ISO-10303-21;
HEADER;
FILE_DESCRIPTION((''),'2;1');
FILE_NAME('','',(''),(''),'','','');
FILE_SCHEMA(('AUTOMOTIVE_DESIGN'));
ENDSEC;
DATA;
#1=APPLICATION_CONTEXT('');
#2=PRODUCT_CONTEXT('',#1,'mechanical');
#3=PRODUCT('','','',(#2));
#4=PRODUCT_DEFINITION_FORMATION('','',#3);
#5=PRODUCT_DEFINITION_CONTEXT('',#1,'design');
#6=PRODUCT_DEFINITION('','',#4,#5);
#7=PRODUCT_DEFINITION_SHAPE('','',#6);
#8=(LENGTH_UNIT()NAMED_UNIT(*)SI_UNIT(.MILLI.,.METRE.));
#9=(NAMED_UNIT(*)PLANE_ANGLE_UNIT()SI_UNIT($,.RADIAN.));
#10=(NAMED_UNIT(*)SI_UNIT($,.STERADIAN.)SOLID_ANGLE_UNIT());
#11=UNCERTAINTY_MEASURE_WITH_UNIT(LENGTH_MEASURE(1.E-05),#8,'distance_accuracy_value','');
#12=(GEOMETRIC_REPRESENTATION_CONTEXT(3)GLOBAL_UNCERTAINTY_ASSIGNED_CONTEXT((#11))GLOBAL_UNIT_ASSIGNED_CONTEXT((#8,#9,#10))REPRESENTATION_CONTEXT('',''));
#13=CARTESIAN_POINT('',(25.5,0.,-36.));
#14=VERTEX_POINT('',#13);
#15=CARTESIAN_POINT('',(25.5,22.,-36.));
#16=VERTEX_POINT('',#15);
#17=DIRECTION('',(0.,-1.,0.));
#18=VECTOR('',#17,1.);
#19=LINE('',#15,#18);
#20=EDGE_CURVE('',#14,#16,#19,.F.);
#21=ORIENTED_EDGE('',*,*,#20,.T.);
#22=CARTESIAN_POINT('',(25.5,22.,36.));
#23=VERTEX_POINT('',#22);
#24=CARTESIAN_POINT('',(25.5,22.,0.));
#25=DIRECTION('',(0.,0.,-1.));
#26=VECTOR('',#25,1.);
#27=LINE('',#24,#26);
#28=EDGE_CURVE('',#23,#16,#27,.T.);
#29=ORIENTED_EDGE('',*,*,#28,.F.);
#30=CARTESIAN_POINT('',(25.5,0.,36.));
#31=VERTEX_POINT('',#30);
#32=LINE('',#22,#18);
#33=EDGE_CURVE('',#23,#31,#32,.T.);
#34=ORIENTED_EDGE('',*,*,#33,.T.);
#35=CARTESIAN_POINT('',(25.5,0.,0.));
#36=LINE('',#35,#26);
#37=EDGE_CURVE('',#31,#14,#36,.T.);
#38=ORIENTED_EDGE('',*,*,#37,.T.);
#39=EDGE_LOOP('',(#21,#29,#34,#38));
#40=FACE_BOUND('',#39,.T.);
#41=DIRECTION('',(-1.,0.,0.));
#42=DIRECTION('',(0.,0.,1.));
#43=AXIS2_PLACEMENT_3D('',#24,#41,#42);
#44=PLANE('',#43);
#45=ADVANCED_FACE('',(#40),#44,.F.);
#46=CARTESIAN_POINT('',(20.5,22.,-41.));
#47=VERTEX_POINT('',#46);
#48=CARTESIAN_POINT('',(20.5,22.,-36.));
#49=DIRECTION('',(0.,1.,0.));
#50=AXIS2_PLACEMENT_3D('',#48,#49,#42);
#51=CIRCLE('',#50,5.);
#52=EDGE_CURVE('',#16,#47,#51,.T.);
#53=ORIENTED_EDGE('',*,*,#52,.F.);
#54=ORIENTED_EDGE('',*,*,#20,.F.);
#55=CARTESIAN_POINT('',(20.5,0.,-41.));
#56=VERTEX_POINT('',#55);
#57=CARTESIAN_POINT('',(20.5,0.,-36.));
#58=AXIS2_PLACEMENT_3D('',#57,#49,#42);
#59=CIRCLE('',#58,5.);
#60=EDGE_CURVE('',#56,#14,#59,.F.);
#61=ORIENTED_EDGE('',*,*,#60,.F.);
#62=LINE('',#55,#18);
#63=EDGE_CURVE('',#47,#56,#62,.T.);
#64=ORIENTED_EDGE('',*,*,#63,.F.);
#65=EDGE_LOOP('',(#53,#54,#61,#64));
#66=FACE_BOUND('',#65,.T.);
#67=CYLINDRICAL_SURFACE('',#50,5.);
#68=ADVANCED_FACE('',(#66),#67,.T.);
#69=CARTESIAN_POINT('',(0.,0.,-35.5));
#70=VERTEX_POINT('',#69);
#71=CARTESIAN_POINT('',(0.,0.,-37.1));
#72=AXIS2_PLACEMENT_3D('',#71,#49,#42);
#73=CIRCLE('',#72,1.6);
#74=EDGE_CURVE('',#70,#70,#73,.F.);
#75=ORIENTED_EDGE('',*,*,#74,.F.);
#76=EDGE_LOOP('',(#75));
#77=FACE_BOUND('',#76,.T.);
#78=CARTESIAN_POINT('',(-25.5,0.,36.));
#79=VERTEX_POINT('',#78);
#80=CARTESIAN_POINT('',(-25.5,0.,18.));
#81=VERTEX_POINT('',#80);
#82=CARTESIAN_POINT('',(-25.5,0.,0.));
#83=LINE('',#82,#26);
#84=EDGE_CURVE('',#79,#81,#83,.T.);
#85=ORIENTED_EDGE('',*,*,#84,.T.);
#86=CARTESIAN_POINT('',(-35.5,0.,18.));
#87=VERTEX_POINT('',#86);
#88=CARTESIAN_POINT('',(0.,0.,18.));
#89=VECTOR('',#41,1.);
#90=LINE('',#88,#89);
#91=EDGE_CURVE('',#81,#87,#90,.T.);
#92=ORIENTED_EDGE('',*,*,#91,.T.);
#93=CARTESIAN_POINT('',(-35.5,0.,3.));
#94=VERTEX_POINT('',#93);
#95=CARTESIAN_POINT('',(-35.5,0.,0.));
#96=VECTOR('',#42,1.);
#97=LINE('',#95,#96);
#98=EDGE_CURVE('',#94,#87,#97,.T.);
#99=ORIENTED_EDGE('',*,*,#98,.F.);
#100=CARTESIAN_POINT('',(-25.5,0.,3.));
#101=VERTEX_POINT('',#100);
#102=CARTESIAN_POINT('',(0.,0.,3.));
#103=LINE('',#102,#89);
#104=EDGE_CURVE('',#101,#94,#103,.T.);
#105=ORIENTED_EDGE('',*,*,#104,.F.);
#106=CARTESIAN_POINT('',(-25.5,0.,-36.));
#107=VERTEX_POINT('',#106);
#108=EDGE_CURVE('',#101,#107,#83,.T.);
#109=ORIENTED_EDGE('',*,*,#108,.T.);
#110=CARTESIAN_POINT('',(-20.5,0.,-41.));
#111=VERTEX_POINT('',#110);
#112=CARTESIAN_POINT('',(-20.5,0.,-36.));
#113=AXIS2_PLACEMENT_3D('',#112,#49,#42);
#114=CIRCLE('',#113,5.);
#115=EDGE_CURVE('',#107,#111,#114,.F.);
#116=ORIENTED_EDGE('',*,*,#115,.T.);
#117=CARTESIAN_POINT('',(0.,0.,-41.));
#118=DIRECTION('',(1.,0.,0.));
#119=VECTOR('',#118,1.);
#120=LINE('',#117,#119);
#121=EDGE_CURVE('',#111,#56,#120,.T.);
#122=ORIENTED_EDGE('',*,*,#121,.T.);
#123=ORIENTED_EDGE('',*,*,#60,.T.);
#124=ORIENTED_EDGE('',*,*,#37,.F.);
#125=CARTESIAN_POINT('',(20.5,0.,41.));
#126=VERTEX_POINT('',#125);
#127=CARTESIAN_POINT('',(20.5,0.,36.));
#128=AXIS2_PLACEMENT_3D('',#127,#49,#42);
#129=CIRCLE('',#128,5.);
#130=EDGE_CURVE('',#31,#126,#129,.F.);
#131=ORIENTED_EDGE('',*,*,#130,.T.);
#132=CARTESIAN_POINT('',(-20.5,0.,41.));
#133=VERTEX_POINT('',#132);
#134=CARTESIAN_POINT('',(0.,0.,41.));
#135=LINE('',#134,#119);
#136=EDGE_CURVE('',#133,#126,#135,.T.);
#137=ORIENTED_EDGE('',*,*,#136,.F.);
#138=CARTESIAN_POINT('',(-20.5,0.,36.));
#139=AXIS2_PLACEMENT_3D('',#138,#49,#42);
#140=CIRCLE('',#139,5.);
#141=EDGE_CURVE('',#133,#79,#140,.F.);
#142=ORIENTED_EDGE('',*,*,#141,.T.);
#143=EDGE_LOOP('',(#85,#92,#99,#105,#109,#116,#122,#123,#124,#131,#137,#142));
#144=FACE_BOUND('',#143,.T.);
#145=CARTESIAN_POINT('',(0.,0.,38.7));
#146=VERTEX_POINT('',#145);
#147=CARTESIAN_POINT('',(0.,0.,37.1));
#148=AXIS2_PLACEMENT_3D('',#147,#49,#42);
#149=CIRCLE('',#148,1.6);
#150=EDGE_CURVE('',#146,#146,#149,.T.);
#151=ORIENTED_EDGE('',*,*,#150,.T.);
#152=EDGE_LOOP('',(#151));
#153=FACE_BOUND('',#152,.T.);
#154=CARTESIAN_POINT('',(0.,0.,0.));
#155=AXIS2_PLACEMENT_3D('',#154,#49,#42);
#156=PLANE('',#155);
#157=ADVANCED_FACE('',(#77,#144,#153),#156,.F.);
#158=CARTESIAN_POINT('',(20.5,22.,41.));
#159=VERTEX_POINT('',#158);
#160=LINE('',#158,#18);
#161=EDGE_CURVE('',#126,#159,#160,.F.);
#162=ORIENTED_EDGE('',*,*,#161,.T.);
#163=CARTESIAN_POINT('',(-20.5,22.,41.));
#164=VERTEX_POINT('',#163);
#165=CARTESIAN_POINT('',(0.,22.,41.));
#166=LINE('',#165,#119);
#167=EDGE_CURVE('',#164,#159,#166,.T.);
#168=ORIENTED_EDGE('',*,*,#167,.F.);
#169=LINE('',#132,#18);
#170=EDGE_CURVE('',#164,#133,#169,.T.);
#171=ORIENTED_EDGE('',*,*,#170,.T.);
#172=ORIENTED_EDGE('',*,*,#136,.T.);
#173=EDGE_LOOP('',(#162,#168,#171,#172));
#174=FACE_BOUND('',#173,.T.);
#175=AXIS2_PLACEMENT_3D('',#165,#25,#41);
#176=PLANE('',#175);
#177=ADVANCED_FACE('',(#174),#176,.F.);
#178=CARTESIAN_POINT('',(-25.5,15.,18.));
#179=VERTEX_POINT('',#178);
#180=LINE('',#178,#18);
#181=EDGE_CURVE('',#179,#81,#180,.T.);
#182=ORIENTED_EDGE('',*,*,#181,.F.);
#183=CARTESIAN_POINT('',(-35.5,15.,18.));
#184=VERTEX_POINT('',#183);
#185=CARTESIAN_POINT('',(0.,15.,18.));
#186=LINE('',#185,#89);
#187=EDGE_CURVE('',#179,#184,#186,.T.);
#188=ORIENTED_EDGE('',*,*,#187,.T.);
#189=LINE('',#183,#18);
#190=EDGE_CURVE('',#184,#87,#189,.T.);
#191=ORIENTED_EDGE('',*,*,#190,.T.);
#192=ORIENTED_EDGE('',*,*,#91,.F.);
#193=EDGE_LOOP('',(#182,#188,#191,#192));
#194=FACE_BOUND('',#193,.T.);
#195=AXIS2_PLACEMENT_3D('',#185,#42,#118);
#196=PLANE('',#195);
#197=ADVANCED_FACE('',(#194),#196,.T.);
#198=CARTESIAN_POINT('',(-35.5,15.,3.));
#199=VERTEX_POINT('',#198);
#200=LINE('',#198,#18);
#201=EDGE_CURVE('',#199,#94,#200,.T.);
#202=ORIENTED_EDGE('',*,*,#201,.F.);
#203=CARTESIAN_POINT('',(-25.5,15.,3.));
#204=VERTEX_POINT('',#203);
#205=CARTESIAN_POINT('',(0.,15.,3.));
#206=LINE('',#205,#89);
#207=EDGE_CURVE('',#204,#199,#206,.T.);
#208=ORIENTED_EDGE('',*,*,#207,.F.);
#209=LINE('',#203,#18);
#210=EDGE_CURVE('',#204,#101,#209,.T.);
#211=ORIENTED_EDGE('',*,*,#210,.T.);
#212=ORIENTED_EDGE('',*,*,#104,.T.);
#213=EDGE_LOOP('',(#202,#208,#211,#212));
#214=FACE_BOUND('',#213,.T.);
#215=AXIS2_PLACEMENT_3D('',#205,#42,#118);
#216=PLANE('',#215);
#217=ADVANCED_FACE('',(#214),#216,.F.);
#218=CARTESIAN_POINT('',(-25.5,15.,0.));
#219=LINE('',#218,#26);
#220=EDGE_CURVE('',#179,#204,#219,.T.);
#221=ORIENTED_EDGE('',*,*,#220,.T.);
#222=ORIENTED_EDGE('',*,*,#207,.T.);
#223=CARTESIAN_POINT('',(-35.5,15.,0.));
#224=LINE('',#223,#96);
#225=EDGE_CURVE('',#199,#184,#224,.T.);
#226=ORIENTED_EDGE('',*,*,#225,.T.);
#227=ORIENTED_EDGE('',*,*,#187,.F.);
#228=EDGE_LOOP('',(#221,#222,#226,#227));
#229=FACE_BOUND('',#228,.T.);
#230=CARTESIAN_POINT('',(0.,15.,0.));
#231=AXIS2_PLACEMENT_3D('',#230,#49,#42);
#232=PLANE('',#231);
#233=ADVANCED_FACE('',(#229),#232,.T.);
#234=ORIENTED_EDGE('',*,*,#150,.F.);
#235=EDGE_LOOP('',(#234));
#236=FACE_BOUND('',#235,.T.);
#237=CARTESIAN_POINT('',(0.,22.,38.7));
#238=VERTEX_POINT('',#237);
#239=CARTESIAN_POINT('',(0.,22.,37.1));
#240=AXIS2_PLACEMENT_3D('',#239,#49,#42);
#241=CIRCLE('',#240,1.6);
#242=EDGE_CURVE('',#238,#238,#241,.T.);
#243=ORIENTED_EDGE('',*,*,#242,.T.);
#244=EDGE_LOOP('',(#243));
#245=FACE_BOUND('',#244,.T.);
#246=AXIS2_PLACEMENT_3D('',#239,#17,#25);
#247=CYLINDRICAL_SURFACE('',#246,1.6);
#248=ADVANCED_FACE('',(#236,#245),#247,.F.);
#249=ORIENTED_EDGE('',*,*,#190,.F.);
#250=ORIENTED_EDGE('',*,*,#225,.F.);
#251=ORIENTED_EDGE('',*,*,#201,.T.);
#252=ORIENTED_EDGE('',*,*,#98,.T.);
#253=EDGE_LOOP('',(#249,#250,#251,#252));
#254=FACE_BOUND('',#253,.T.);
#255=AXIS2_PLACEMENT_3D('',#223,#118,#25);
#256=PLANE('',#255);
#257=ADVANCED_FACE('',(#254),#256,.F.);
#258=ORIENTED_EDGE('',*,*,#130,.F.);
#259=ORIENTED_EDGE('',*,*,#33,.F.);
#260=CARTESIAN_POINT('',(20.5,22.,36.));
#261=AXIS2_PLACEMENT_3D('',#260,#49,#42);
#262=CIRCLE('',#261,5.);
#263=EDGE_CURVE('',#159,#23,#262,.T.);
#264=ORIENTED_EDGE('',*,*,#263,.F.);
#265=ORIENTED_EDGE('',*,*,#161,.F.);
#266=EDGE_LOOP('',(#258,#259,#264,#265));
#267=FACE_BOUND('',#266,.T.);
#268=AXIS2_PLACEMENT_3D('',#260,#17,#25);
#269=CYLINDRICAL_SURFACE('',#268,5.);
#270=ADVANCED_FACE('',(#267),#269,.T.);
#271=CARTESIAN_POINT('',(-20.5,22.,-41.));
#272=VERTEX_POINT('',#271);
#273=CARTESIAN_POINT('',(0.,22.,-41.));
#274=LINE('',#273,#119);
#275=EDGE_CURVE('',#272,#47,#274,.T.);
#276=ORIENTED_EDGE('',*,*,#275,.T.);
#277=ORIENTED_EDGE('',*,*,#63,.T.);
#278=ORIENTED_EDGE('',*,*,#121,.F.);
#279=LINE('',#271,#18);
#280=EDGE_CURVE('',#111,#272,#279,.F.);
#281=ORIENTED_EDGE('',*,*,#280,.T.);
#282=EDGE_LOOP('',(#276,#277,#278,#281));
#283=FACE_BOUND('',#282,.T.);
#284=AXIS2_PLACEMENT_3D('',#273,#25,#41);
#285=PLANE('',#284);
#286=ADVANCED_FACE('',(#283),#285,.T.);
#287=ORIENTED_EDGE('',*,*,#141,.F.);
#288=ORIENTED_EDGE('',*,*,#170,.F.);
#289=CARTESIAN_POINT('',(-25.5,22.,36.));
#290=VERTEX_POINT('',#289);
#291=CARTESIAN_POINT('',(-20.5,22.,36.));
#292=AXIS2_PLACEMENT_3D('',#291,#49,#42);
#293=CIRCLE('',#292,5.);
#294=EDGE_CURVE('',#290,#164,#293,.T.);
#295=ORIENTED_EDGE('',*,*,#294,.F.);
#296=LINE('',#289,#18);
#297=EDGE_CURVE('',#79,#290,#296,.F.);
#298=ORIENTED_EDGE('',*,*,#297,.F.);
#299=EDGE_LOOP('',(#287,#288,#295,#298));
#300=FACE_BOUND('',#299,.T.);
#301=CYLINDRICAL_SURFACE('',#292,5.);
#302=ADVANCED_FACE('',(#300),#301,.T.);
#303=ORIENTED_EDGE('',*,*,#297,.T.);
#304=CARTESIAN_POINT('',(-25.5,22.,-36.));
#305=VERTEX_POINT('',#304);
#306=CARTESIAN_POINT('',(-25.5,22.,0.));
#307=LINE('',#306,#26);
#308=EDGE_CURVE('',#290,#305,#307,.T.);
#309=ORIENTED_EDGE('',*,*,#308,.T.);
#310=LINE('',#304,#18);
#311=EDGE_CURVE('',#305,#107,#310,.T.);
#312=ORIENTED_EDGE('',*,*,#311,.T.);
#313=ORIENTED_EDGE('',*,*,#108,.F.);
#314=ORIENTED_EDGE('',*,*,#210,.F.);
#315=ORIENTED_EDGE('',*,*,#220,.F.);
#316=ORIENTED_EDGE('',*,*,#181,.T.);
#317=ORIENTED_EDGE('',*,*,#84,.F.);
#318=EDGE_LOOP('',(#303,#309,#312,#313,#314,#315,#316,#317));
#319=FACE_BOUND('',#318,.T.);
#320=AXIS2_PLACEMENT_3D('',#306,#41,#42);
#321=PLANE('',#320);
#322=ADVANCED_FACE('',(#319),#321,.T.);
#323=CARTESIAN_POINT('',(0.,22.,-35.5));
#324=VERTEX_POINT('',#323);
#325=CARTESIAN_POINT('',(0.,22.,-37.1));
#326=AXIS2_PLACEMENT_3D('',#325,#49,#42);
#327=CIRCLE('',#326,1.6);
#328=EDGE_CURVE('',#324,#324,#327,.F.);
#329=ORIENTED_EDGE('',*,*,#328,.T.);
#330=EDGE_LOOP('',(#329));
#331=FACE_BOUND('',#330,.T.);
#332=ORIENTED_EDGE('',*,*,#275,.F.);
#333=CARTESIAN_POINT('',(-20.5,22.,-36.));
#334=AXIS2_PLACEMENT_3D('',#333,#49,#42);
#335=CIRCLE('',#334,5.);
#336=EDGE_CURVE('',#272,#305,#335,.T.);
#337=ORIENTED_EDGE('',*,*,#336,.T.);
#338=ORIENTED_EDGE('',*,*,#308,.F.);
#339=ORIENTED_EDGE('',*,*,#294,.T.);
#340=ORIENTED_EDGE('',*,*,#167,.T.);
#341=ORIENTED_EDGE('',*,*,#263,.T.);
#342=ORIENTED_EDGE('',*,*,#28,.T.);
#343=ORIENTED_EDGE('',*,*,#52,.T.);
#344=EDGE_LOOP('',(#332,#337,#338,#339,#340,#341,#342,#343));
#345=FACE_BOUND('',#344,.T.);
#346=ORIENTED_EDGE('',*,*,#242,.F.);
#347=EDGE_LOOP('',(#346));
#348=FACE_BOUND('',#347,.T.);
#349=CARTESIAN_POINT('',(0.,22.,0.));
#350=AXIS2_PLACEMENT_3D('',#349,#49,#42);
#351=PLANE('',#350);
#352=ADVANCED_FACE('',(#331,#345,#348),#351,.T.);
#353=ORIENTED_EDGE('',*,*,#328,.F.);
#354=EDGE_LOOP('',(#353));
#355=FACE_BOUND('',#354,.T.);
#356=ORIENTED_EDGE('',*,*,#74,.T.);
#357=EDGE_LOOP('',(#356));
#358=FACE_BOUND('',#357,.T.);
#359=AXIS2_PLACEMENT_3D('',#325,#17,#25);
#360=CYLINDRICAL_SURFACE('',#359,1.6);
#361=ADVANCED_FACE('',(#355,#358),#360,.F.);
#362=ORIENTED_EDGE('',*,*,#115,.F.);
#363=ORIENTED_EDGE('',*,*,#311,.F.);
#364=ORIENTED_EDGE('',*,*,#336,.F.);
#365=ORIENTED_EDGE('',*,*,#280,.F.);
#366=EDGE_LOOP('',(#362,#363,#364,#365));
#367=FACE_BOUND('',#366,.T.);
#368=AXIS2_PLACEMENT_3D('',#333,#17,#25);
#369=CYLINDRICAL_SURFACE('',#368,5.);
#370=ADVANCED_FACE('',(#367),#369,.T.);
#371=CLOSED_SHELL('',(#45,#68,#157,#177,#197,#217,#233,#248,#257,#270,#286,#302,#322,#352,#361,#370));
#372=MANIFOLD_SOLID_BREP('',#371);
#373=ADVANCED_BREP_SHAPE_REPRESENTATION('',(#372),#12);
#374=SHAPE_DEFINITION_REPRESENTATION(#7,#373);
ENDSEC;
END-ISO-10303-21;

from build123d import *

# Parameters (mm, degrees)
SKETCH1_R           = 1.6
BOSS_EXTRUDE1_DEPTH = 22
SKETCH1_3_W         = 10
SKETCH1_3_H         = 15
BOSS_EXTRUDE2_DEPTH = 15
FILLET1_R           = 5


with BuildPart() as part:
    # Sketch1 → Boss-Extrude1 (new body)
    with BuildSketch(Plane(origin=(0, 0, 0), x_dir=(1, 0, 0), z_dir=(0, 1, 0))):
        Polygon((-25.5, -18), (-25.5, -41), (25.5, -41), (25.5, -25.5), (25.5, -17), (25.5, 41), (-25.5, 41), (-25.5, -3), align=None)
        with Locations((0, -37.1)):
            Circle(SKETCH1_R, mode=Mode.SUBTRACT)
        with Locations((0, 37.1)):
            Circle(SKETCH1_R, mode=Mode.SUBTRACT)
    extrude(amount=BOSS_EXTRUDE1_DEPTH)

    # Sketch1<3> → Boss-Extrude2 (add)
    with BuildSketch(Plane(origin=(0, 0, 0), x_dir=(1, 0, 0), z_dir=(0, 1, 0))):
        with Locations((-30.5, -10.5)):
            Rectangle(SKETCH1_3_W, SKETCH1_3_H)
    extrude(amount=BOSS_EXTRUDE2_DEPTH)

    # Fillet1
    fillet1_edges = [part.edges().sort_by_distance(p)[0] for p in [
        (-25.5, 11, -41),
        (25.5, 11, -41),
        (25.5, 11, 41),
        (-25.5, 11, 41),
    ]]
    fillet(fillet1_edges, radius=FILLET1_R)


solid = part.part
